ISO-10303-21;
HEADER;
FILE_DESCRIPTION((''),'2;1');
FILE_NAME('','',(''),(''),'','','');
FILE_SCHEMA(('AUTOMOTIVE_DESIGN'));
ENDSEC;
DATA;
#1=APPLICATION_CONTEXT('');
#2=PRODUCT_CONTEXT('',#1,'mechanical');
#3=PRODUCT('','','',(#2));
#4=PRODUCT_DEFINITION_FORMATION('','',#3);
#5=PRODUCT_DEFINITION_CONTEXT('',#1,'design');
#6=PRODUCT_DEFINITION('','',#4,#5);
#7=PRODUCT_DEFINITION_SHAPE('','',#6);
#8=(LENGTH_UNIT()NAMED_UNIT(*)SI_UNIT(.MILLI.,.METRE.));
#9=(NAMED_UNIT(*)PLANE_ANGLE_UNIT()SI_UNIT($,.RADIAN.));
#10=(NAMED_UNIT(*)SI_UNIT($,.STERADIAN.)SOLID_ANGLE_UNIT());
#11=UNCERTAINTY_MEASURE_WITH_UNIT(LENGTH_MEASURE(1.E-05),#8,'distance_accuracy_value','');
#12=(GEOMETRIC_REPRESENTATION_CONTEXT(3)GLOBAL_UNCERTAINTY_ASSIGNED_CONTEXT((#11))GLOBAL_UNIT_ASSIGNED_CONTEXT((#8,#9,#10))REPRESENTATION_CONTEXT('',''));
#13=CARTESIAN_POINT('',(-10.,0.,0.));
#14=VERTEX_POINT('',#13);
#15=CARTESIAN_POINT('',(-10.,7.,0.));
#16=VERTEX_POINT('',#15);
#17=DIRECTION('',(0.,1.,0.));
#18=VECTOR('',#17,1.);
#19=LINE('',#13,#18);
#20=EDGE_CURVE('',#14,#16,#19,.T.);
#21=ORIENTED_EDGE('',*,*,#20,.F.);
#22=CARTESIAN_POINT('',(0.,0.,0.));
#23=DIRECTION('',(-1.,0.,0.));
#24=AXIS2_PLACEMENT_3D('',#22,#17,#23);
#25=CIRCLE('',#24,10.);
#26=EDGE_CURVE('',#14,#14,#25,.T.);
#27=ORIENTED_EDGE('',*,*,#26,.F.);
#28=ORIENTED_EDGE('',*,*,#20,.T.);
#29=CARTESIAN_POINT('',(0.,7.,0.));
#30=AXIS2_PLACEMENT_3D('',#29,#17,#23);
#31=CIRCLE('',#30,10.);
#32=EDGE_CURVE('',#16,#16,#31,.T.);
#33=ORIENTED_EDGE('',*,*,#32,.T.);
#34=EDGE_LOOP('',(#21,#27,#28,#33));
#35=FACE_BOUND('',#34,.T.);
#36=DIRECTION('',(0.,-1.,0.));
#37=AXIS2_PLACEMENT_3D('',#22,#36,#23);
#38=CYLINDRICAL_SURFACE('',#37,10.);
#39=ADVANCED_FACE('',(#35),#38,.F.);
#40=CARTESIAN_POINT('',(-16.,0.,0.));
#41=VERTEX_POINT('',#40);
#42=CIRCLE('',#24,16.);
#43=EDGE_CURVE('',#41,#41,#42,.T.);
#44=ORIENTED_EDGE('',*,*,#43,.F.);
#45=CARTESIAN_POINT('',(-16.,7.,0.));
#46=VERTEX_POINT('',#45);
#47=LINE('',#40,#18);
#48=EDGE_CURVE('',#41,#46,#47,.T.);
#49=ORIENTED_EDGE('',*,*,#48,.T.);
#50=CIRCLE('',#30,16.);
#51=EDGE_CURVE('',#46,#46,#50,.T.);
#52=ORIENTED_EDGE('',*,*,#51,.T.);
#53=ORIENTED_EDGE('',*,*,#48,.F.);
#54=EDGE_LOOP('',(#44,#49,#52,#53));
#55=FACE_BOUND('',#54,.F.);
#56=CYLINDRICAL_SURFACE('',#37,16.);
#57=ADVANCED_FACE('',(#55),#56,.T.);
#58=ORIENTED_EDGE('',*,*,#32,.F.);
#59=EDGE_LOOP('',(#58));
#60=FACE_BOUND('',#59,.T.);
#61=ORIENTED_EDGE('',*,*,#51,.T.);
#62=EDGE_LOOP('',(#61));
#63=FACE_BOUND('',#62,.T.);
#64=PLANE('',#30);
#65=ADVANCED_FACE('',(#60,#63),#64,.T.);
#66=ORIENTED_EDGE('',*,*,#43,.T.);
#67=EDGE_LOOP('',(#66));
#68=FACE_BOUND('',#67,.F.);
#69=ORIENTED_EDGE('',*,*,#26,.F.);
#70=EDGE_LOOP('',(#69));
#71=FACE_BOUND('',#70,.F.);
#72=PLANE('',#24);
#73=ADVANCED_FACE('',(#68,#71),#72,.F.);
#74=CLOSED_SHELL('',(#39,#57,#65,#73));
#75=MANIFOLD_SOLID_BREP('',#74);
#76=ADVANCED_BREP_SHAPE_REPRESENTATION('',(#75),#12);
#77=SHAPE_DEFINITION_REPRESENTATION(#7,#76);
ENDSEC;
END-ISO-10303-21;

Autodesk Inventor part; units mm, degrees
ref_plane "YZ Plane" through (0, 0, 0) normal (1, 0, 0) x (0, 1, 0)
ref_plane "XZ Plane" through (0, 0, 0) normal (0, 1, 0) x (-1, 0, 0)
ref_plane "XY Plane" through (0, 0, 0) normal (0, 0, 1) x (1, 0, 0)
sketch "스케치1" plane through (0, 0, 0) normal (0, 1, 0) x (-1, 0, 0)
  circle A0 centre (0, 0) radius 16
  circle A1 centre (0, 0) radius 10
  dimension "d0" = 32
  dimension "d1" = 20
extrude "돌출1" add sketch "스케치1" along normal blind 7
properties part number "bearing_32_20_7_"
